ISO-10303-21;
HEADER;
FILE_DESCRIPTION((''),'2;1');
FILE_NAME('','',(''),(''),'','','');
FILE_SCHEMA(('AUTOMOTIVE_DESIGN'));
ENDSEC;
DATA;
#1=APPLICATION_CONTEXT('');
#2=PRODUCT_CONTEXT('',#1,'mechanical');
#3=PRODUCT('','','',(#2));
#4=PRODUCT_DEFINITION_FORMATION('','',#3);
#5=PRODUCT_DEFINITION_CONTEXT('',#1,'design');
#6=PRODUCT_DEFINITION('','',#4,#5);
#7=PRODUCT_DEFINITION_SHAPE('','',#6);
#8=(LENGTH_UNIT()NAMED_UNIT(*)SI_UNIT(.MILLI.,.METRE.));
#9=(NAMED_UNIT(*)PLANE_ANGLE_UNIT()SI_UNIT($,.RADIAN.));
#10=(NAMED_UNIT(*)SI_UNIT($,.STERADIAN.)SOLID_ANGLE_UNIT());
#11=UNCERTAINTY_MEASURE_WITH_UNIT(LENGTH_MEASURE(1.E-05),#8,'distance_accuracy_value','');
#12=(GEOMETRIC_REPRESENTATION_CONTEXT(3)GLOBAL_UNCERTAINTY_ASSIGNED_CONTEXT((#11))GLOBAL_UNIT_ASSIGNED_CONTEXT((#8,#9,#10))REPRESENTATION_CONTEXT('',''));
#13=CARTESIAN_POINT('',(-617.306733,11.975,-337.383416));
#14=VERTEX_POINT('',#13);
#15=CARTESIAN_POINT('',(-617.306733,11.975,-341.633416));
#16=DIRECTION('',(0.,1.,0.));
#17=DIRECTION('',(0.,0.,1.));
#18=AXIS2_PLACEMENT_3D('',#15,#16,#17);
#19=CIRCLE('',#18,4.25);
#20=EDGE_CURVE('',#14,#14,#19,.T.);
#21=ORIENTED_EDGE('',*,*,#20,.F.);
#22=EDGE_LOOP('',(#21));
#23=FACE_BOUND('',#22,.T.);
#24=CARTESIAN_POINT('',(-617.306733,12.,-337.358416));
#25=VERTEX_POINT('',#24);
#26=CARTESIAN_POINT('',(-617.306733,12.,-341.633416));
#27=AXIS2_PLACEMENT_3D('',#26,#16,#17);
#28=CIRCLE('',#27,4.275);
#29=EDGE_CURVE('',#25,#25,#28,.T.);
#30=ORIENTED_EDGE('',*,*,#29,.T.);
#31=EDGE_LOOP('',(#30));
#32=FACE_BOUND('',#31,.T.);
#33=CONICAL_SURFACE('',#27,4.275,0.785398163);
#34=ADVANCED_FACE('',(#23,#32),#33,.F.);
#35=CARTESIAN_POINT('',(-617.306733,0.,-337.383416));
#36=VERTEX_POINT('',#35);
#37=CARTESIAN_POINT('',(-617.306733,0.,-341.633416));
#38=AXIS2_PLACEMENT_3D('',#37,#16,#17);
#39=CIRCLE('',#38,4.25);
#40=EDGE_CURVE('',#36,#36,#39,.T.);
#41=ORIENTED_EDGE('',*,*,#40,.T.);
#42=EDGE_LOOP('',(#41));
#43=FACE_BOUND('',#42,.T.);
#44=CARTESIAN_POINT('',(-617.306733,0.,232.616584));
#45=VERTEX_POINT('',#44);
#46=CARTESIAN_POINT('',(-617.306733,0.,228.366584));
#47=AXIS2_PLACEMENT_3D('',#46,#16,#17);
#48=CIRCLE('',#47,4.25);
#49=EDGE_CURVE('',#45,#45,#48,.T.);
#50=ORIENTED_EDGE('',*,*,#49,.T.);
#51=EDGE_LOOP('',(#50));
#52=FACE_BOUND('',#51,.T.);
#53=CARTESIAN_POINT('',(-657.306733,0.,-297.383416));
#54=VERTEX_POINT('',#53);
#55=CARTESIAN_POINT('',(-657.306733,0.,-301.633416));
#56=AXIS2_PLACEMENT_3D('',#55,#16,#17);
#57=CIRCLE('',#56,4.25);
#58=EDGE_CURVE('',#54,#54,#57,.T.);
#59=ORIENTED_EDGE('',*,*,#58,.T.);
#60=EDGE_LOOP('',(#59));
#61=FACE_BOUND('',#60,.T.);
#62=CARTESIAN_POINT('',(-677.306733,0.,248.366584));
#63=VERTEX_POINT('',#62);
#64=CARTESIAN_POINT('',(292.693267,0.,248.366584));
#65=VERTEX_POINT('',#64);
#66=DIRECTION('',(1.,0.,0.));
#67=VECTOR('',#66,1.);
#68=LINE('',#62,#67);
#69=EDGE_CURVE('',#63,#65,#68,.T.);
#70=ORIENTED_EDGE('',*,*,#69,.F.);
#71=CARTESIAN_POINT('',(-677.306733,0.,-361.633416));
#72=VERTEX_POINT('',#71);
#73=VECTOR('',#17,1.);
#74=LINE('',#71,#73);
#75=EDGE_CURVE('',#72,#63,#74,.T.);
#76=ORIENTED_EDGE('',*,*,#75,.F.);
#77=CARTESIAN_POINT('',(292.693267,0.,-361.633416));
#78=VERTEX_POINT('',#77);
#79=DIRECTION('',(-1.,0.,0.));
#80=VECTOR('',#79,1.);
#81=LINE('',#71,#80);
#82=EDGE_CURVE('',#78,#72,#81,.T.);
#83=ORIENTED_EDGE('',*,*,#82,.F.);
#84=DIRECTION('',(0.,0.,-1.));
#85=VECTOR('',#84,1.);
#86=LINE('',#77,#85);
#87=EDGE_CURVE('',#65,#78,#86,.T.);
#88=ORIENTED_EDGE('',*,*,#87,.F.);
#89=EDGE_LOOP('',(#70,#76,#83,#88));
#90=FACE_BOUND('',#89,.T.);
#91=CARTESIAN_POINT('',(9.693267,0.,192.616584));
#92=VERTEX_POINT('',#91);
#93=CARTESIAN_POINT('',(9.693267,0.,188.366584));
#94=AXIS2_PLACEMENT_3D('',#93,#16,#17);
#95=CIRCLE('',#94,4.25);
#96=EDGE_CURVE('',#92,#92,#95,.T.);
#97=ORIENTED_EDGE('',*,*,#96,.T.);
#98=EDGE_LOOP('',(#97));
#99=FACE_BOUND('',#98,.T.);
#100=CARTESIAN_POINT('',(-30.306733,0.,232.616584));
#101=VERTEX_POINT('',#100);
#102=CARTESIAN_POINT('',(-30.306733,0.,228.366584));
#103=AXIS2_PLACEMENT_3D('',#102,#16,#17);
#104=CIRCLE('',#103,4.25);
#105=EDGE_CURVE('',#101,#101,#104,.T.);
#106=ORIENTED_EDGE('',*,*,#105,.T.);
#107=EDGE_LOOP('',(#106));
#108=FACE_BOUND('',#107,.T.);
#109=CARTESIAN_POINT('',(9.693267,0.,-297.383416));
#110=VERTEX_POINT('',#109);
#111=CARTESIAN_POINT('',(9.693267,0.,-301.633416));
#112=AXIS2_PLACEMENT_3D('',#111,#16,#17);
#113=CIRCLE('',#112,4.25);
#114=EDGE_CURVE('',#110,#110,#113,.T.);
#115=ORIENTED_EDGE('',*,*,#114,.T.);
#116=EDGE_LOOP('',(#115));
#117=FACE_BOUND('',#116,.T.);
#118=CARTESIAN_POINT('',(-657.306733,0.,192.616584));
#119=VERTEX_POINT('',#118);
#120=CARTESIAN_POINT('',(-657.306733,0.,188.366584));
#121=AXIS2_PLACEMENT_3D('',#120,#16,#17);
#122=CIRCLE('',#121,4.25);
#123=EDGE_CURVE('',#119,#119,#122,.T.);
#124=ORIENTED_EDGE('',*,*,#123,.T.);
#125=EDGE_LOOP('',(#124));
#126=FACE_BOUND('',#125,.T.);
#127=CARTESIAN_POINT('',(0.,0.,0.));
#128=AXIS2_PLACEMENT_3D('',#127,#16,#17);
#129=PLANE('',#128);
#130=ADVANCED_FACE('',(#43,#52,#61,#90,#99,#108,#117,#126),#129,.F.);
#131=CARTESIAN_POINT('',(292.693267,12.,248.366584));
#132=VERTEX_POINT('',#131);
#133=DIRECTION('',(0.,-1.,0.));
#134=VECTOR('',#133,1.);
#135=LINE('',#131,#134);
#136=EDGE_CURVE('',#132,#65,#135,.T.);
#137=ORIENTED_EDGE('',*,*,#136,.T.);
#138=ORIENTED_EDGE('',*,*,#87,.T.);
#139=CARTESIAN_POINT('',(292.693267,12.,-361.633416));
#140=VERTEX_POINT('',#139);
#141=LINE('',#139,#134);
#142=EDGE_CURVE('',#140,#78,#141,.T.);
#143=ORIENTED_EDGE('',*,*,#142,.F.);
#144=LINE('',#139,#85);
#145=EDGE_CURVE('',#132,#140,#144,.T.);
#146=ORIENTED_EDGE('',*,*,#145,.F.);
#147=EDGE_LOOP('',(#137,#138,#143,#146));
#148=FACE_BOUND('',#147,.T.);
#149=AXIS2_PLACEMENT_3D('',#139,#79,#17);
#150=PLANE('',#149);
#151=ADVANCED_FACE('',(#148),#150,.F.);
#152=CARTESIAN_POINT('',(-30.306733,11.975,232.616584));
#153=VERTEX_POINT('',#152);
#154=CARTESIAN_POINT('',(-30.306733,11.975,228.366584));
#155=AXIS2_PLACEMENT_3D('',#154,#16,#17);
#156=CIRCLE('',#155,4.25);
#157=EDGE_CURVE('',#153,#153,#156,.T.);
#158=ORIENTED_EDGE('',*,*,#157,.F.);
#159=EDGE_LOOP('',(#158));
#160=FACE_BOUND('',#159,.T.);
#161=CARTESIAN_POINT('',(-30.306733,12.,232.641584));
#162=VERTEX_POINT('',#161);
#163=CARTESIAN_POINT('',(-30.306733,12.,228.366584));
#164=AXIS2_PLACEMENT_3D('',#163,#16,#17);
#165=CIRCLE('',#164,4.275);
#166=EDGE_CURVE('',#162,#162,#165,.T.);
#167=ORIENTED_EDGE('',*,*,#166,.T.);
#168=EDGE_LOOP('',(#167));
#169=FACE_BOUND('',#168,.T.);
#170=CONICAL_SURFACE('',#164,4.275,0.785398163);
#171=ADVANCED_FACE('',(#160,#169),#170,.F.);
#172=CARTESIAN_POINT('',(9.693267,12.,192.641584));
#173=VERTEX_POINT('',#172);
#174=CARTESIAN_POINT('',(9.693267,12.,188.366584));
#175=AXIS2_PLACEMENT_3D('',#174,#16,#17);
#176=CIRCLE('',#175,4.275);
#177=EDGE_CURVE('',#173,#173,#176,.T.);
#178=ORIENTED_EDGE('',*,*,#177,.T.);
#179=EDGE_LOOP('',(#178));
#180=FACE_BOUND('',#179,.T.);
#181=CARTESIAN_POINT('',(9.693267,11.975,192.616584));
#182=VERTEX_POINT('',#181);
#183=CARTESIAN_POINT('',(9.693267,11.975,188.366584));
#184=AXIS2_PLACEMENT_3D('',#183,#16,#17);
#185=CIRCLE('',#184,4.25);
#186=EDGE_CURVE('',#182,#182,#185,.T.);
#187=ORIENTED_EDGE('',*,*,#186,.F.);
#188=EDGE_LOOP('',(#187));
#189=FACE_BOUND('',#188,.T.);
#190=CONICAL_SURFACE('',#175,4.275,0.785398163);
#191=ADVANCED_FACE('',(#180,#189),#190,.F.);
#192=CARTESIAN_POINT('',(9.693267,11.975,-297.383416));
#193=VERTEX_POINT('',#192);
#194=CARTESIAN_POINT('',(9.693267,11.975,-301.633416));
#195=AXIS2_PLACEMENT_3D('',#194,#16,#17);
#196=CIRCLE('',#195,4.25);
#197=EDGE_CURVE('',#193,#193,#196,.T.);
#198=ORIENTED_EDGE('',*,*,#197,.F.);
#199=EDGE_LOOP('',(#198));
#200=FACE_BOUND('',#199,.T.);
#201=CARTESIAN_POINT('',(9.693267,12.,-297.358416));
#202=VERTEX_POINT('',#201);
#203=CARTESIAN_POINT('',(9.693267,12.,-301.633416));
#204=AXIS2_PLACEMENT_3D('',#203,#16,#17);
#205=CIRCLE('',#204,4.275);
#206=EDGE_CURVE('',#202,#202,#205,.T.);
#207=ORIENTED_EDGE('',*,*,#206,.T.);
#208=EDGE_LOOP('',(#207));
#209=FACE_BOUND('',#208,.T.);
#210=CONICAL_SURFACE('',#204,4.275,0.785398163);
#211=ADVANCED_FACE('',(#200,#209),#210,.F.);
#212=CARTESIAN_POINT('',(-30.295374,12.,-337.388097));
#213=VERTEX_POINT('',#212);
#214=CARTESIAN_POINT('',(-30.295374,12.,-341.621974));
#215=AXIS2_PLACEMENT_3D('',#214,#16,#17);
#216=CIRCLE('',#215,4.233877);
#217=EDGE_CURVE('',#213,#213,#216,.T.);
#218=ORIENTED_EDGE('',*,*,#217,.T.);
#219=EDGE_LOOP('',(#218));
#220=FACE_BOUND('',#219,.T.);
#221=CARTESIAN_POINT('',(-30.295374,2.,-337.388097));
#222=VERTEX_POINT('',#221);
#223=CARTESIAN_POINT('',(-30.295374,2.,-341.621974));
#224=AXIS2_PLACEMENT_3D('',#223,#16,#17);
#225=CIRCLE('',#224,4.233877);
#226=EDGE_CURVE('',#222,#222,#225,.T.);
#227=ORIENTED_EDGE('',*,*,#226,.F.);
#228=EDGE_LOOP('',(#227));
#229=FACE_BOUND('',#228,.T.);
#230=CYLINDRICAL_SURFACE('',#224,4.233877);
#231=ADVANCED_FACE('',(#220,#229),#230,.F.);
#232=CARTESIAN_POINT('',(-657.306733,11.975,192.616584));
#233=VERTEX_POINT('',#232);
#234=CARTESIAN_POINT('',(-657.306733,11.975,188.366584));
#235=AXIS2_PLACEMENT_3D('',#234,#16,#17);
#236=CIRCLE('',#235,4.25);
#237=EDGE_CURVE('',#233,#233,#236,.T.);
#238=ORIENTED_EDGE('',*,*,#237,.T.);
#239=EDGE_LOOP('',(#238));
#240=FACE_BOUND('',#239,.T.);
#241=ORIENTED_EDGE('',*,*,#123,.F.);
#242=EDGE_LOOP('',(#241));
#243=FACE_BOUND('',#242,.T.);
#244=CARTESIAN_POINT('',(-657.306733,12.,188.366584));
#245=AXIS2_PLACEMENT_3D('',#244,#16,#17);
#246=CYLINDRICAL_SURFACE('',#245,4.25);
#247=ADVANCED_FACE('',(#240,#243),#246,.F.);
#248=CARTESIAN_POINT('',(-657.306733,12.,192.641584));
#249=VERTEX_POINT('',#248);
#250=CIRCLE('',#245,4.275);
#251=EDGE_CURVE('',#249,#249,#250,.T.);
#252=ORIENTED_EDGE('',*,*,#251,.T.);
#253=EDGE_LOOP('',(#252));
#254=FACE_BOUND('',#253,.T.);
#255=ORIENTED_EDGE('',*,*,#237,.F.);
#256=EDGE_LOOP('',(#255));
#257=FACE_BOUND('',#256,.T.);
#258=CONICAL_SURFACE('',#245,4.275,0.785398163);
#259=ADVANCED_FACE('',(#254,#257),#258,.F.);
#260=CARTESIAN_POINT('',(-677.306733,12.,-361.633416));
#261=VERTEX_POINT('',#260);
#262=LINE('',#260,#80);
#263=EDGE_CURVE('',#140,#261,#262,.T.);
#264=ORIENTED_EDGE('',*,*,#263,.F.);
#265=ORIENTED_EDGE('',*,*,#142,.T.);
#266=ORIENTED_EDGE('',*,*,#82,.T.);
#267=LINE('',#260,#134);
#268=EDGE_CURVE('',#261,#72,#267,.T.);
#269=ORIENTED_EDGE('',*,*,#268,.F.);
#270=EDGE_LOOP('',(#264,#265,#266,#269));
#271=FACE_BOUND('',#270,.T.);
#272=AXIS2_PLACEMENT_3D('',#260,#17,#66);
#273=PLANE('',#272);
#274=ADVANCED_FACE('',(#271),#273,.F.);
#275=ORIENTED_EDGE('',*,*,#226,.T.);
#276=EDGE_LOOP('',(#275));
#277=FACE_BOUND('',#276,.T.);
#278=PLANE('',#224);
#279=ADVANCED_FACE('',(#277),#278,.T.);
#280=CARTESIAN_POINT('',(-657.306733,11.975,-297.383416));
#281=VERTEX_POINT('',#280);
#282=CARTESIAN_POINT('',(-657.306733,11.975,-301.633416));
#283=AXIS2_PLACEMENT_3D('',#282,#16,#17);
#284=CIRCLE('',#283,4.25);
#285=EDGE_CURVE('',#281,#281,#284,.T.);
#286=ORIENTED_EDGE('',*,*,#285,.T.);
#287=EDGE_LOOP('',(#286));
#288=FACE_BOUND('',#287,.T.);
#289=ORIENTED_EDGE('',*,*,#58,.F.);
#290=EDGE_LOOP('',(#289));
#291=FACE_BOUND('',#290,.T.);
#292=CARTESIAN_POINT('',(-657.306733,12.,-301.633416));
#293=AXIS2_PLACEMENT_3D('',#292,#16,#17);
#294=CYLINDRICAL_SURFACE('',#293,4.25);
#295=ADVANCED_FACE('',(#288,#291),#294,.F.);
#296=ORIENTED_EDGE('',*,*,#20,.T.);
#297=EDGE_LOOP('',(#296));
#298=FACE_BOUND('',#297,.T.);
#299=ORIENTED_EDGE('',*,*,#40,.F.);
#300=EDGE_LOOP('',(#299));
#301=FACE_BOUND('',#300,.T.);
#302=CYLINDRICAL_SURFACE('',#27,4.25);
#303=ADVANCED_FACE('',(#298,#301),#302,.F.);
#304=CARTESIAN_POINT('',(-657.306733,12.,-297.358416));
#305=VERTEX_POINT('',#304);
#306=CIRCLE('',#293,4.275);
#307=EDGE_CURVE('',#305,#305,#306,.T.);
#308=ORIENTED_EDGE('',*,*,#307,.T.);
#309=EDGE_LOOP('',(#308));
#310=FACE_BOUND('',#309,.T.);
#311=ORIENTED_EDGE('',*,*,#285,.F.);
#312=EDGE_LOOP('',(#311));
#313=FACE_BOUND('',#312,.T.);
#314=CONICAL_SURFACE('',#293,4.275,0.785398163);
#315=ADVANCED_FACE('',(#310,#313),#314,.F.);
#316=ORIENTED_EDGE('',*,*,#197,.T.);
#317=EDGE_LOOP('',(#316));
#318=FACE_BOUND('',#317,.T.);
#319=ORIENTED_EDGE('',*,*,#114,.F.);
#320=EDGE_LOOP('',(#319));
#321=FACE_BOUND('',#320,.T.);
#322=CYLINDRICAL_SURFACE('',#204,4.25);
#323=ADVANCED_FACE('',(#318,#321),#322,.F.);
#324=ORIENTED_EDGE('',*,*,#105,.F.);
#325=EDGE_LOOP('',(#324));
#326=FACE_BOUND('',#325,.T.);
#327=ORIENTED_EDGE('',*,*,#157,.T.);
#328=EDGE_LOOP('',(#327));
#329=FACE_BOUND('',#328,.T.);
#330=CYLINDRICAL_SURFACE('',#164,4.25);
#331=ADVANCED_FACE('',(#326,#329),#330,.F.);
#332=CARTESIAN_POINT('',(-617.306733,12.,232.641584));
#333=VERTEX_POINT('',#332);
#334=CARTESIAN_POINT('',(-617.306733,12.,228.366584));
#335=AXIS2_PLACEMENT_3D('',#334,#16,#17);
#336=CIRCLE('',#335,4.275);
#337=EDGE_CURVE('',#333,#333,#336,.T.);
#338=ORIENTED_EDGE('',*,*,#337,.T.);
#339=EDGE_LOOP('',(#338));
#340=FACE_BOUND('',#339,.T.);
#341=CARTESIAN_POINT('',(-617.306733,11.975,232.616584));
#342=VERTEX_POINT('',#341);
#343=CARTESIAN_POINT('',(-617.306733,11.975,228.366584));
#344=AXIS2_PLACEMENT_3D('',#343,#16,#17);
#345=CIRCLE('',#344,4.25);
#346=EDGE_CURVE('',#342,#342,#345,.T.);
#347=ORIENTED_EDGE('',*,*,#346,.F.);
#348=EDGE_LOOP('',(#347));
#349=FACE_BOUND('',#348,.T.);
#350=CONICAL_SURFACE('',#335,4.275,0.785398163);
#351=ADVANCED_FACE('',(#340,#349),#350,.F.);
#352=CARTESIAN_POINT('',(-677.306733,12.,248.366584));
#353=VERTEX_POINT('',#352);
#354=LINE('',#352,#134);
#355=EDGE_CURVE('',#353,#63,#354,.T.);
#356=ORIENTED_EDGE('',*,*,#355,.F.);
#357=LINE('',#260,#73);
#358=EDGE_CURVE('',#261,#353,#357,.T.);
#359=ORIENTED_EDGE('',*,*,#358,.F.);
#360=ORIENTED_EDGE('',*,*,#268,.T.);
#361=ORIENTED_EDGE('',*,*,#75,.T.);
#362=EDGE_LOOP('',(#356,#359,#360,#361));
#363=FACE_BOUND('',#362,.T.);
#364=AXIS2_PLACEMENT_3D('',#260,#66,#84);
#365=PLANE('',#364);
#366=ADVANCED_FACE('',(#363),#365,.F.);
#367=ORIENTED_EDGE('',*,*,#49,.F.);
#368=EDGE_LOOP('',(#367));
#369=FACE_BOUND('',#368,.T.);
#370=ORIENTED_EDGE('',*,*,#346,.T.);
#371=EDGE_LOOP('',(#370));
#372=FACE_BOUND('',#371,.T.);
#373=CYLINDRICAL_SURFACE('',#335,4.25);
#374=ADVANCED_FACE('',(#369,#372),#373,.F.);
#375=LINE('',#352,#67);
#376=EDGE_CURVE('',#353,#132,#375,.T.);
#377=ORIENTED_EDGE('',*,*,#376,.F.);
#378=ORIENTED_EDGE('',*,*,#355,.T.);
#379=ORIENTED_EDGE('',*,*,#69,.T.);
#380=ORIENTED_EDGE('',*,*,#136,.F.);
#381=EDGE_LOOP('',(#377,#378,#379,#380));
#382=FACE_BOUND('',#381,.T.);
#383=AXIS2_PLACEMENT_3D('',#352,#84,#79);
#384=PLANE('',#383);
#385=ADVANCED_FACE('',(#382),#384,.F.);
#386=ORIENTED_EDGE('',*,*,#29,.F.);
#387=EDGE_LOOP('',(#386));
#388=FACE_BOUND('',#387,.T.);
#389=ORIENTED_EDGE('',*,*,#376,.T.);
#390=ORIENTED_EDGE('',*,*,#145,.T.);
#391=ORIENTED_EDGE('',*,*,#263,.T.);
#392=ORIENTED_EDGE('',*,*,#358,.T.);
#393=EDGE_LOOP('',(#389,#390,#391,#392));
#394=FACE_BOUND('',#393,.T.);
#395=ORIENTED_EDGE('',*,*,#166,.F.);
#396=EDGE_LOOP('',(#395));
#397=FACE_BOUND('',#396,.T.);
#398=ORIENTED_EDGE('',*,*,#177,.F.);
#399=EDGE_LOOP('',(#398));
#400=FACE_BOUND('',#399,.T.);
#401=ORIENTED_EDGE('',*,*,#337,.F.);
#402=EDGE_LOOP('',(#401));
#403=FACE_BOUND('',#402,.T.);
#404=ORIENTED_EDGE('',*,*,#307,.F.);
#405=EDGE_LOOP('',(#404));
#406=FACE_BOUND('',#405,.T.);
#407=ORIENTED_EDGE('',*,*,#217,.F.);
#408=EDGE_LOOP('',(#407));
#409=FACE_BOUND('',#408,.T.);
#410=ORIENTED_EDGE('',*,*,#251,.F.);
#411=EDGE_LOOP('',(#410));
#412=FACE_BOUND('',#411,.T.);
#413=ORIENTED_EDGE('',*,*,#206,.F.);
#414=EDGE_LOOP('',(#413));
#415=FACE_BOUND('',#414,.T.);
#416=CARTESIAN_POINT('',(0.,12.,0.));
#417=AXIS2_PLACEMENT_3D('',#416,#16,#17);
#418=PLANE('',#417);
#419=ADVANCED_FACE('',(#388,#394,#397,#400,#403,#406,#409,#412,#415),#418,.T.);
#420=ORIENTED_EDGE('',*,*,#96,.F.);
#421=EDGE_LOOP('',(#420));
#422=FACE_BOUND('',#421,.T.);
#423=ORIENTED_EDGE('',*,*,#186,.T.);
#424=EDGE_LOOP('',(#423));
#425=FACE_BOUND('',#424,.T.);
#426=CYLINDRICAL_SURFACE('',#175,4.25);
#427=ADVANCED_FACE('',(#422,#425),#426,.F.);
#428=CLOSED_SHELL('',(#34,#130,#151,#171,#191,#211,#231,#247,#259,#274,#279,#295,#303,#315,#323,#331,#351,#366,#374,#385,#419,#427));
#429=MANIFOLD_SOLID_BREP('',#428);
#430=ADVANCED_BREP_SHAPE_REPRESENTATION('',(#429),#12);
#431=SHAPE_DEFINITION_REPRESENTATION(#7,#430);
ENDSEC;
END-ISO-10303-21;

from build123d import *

# Parameters (mm, degrees)
SKETCH1_W                          = 970
SKETCH1_H                          = 610
BOSS_EXTRUDE1_DEPTH                = 12
SKETCH2_R                          = 4.233877047
CUT_EXTRUDE1_DEPTH                 = 10
TAP_DRILL_FOR_M10_TAP1_D           = 8.5
TAP_DRILL_FOR_M10_TAP1_CSINK_D     = 8.55
TAP_DRILL_FOR_M10_TAP1_CSINK_ANGLE = 90


with BuildPart() as part:
    # Sketch1 → Boss-Extrude1 (new body)
    with BuildSketch(Plane(origin=(0, 0, 0), x_dir=(1, 0, 0), z_dir=(0, 1, 0))):
        with Locations((-192.306733167, 56.633416459)):
            Rectangle(SKETCH1_W, SKETCH1_H)
    extrude(amount=BOSS_EXTRUDE1_DEPTH)

    # Sketch2 → Cut-Extrude1 (cut)
    with BuildSketch(Plane(origin=(0, 12, 0), x_dir=(1, 0, 0), z_dir=(0, 1, 0))):
        with Locations(Location((-30.29537408, 341.621974399, 0), (0, 0, 270))):
            Circle(SKETCH2_R)
    extrude(amount=-CUT_EXTRUDE1_DEPTH, mode=Mode.SUBTRACT)

    # Tap Drill for M10 Tap1 (through all)
    with Locations(Plane(origin=(0, 12, 0), x_dir=(1, 0, 0), z_dir=(0, 1, 0))):
        with Locations((-617.306733167, 341.633416459), (-657.306733167, 301.633416459), (-617.306733167, -228.366583541), (-657.306733167, -188.366583541), (9.693266833, -188.366583541), (-30.306733167, -228.366583569), (9.693266833, 301.633416459)):
            CounterSinkHole(TAP_DRILL_FOR_M10_TAP1_D / 2, TAP_DRILL_FOR_M10_TAP1_CSINK_D / 2, counter_sink_angle=TAP_DRILL_FOR_M10_TAP1_CSINK_ANGLE)


solid = part.part
